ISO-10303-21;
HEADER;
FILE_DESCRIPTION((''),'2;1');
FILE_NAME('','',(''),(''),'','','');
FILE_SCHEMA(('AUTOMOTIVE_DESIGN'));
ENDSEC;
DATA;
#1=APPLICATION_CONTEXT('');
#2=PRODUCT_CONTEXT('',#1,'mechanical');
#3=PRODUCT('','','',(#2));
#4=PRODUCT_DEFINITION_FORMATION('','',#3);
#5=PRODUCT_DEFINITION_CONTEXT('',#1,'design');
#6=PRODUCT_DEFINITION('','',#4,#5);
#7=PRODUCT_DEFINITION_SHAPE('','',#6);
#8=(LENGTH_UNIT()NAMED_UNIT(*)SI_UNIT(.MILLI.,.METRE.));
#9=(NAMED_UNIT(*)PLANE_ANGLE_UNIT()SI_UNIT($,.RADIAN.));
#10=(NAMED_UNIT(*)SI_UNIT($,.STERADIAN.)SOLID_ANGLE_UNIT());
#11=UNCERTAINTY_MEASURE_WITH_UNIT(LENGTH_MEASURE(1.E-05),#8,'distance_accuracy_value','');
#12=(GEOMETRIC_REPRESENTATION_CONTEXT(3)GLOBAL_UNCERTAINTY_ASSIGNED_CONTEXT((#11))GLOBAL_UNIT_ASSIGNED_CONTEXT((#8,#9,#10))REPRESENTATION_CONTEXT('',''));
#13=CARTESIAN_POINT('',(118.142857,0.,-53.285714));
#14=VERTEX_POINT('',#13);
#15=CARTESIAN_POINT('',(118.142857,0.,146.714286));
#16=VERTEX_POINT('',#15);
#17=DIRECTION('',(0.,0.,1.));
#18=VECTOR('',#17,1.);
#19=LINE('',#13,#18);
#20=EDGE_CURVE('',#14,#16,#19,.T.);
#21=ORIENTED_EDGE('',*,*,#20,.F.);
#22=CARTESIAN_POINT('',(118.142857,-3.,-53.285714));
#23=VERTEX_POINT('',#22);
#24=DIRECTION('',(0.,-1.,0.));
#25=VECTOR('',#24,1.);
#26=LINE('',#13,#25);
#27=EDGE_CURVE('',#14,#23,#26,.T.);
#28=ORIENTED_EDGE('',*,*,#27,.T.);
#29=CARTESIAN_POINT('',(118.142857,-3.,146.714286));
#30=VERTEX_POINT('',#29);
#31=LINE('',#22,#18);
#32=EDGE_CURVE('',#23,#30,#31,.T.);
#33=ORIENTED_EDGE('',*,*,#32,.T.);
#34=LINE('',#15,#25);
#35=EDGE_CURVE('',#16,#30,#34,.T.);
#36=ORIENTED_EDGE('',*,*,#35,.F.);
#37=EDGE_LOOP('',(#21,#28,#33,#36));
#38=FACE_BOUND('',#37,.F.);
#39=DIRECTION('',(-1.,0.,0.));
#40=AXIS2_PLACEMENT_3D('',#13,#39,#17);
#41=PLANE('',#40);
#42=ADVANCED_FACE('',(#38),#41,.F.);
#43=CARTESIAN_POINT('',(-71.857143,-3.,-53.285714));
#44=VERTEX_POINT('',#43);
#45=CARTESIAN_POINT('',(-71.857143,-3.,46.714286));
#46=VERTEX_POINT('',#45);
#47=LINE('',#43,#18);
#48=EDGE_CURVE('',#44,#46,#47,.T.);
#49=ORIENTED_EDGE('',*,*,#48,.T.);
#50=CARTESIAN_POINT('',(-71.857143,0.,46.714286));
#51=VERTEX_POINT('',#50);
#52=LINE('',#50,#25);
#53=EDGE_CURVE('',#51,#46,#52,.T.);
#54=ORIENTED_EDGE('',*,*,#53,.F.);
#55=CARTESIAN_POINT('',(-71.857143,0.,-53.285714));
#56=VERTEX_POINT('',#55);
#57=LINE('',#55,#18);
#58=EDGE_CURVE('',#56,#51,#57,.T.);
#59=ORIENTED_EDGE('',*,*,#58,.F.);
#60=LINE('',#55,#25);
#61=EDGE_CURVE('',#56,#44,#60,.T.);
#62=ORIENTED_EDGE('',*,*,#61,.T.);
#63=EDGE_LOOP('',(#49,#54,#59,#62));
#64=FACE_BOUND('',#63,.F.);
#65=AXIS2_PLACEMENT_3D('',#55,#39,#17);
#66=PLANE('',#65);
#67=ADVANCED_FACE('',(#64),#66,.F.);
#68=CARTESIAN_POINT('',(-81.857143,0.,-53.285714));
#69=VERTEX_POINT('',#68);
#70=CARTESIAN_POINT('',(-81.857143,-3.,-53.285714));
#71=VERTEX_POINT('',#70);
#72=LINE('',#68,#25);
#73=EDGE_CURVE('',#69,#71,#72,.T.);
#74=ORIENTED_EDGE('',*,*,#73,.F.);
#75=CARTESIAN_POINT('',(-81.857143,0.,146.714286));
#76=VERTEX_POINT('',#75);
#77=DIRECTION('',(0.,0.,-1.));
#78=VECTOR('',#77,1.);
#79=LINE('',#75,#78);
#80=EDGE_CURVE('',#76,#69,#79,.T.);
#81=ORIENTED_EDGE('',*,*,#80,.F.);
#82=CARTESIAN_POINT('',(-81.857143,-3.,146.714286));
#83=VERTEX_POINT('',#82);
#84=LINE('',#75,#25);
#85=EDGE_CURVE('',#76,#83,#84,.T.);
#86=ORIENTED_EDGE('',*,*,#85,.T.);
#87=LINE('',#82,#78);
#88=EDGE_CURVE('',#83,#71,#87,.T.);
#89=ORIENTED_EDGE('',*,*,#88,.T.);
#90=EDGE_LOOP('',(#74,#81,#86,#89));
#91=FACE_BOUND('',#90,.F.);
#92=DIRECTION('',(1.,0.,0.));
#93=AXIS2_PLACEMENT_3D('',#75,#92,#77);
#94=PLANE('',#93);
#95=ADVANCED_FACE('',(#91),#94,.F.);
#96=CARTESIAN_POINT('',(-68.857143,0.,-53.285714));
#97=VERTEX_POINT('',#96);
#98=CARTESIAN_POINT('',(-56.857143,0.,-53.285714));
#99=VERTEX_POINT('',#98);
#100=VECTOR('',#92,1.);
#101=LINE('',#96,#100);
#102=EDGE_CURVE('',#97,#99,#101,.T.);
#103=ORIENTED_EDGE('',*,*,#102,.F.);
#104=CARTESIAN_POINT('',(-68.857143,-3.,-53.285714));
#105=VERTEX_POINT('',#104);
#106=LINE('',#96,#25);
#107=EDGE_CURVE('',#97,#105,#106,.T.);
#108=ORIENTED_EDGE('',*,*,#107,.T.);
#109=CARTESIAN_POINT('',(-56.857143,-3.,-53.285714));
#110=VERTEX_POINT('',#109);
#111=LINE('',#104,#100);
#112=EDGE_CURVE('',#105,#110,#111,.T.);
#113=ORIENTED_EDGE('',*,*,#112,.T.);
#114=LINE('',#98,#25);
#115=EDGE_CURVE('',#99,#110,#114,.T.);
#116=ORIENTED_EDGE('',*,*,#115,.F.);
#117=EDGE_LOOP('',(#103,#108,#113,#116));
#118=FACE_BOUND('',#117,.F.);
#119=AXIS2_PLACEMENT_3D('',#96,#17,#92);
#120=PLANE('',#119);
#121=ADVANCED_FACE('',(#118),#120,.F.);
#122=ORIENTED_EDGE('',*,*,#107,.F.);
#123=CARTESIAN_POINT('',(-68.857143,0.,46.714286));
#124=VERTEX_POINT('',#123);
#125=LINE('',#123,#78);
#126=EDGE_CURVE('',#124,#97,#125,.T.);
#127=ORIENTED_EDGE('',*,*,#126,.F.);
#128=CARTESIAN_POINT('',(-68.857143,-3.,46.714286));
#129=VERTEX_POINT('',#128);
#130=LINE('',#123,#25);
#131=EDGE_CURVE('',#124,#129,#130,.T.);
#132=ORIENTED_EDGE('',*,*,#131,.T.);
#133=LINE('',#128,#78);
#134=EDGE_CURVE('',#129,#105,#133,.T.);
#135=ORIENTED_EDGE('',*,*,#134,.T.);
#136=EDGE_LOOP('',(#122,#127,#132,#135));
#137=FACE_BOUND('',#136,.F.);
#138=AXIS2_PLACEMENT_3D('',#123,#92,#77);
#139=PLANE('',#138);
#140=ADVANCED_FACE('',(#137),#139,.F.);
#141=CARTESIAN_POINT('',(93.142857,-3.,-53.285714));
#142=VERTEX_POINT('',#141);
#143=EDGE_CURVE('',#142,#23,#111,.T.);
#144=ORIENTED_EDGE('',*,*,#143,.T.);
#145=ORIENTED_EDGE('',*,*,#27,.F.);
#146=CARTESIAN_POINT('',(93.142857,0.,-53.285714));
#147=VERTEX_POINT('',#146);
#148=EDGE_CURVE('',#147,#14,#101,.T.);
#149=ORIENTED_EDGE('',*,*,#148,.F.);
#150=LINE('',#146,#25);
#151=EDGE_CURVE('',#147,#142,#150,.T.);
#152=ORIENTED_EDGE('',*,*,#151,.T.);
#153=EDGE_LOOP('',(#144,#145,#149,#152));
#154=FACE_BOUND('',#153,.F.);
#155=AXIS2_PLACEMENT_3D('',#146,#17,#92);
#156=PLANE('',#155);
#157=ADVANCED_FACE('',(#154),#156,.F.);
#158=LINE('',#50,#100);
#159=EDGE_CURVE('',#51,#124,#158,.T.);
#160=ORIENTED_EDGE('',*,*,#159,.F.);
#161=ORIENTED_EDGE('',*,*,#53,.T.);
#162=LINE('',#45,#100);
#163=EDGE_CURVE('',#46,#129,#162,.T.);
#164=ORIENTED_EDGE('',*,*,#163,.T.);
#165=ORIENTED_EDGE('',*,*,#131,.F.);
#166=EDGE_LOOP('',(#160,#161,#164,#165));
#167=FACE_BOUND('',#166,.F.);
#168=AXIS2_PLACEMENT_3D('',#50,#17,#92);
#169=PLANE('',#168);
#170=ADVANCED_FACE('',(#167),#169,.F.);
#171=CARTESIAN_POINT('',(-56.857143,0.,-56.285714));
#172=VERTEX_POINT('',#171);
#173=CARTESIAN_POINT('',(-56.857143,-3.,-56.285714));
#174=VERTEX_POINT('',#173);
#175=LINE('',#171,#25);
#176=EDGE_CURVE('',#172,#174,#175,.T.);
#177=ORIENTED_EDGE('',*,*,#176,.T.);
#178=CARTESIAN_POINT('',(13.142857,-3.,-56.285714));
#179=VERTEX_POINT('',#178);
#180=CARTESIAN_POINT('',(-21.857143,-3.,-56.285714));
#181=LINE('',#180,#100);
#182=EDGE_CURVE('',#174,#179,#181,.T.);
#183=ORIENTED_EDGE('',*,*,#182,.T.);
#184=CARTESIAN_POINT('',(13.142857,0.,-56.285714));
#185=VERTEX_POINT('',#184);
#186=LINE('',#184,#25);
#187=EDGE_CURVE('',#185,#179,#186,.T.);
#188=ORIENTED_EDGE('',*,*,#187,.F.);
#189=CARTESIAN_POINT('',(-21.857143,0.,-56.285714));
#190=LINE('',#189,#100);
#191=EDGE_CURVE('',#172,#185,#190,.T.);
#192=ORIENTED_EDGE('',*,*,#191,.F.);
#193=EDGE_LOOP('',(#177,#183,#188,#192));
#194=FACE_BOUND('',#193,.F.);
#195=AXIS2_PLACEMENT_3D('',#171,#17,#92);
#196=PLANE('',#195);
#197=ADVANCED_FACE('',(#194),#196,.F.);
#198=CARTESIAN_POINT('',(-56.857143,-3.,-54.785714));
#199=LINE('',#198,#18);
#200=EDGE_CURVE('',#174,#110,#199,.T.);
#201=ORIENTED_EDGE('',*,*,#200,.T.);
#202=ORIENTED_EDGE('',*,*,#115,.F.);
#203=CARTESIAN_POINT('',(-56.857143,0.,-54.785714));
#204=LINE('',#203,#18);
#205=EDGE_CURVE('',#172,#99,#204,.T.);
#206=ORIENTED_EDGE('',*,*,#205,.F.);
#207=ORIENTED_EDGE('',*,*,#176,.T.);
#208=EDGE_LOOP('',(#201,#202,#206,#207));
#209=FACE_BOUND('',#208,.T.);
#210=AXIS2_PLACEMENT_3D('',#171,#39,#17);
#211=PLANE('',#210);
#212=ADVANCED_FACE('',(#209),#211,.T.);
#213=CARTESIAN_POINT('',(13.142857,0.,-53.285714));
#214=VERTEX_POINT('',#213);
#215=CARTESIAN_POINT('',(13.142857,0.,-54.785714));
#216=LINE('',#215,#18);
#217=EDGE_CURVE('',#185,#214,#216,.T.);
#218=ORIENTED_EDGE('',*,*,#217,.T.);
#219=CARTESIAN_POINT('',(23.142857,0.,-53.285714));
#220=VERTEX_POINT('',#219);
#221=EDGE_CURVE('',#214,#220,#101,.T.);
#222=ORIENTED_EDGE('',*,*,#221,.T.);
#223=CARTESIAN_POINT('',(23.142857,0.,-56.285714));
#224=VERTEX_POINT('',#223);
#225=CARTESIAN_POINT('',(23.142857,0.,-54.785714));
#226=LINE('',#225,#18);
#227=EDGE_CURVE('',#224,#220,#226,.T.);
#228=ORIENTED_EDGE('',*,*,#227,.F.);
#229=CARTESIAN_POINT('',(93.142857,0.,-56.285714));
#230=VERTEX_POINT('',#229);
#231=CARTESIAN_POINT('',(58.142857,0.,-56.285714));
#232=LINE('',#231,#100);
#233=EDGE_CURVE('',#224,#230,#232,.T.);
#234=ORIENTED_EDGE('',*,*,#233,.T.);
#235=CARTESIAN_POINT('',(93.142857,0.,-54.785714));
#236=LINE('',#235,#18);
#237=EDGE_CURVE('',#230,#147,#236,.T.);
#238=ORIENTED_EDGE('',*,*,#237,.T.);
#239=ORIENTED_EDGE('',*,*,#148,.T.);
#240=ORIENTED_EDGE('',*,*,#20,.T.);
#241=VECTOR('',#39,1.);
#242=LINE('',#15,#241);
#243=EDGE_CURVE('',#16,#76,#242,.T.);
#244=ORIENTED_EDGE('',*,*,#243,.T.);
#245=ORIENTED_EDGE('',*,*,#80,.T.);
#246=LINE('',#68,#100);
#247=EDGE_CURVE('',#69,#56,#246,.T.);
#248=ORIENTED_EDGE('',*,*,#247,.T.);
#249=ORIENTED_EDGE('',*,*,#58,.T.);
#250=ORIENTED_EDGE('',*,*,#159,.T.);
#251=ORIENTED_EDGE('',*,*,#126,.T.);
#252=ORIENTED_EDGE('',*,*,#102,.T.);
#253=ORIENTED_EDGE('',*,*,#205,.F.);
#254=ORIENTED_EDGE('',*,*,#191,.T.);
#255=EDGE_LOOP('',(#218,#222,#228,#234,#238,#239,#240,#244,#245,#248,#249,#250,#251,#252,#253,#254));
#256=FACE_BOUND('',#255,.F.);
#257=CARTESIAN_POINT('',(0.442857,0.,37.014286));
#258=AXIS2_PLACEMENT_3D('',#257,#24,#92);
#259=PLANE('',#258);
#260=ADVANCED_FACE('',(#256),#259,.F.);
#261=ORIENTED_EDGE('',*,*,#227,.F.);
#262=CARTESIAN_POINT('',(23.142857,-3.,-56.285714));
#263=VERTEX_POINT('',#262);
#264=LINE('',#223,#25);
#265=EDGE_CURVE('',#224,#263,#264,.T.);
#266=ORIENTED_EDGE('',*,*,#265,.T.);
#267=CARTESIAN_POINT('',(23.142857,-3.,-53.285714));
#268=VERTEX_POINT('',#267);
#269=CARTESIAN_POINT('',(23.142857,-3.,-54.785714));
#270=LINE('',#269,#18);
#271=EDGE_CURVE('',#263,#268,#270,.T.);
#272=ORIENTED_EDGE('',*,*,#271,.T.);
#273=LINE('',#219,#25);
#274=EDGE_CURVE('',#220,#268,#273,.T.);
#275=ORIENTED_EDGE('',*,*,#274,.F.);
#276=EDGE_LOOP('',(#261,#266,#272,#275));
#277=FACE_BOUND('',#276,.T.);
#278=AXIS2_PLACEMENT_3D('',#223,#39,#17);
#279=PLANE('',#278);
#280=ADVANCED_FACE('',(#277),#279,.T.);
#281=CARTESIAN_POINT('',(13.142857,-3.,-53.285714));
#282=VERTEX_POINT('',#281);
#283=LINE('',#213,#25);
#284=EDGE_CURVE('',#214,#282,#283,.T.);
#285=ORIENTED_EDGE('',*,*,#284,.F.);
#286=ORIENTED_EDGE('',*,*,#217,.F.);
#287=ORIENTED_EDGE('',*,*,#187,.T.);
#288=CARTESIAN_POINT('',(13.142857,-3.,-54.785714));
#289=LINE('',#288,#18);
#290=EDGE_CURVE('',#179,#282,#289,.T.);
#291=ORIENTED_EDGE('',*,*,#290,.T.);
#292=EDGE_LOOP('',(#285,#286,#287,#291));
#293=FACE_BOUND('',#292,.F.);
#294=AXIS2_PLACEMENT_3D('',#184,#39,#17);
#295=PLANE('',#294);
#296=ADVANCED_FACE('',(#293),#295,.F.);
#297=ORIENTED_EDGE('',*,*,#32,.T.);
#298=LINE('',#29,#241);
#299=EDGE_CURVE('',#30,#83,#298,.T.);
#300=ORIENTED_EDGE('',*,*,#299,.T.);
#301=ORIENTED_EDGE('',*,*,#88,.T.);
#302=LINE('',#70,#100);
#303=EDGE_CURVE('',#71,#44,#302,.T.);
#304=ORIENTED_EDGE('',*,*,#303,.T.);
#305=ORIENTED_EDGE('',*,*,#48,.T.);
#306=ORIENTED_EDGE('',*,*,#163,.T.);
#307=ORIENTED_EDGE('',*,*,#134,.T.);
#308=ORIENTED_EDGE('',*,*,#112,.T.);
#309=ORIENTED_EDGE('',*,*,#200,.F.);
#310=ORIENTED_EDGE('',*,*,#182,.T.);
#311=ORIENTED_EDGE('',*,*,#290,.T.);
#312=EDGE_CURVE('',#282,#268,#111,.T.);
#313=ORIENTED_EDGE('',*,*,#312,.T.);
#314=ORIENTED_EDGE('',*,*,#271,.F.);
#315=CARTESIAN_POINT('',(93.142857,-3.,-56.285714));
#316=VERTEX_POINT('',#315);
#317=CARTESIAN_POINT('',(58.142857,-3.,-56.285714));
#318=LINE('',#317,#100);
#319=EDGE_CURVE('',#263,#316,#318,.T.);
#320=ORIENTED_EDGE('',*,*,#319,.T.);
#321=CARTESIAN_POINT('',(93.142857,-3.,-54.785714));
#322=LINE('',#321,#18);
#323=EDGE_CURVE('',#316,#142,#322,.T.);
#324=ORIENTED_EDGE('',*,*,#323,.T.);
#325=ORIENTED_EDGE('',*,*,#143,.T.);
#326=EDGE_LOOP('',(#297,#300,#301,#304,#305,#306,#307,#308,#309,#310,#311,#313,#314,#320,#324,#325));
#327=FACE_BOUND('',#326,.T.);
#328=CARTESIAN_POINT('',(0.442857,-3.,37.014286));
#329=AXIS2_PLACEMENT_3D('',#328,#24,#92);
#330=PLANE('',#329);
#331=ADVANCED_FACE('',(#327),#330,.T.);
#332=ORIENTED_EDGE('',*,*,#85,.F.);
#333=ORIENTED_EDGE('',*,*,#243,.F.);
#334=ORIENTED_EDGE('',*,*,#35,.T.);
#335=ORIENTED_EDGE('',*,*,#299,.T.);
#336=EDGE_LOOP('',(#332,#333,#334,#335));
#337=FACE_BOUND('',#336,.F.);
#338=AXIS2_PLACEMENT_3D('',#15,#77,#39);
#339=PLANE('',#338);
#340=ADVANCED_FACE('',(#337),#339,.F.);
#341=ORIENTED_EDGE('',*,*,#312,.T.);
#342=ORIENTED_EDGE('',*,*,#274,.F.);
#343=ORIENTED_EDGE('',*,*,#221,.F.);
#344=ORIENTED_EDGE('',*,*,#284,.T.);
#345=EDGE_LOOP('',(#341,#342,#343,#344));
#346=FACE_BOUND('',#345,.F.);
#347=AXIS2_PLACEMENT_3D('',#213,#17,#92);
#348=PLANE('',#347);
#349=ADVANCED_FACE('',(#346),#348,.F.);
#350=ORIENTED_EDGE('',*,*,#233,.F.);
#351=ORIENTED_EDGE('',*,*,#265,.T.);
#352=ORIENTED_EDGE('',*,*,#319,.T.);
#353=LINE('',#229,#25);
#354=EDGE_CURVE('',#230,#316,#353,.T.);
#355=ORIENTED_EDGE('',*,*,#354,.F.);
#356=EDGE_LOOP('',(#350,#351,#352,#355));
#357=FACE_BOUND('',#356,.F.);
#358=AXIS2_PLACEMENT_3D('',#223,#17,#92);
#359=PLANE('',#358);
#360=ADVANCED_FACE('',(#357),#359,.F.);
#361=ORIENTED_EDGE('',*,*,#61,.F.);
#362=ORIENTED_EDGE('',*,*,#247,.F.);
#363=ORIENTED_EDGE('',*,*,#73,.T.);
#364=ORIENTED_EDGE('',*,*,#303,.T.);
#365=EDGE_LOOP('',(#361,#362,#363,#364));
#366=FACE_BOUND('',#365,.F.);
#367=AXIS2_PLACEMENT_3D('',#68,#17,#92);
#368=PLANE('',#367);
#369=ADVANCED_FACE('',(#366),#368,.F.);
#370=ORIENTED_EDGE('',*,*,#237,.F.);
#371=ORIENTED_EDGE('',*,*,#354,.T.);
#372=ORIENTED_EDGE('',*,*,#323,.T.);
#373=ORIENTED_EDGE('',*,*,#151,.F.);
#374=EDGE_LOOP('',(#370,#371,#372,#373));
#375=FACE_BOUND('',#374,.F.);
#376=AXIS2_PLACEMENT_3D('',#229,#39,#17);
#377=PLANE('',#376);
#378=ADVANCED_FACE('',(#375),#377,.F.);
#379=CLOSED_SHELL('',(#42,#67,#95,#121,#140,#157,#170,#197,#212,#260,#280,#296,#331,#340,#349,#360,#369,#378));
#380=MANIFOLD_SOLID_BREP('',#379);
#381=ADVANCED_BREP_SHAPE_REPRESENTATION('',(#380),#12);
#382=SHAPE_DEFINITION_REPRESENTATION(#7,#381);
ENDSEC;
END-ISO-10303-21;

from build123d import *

# Parameters (mm, degrees)
F0_W     = 70
F0_H     = 3
F1_DEPTH = 3


with BuildPart() as f1:
    # F0 (on Front) → F1 (new body)
    with BuildSketch(Plane.XZ):
        Polygon((118.142857, 146.714286), (-81.857143, 146.714286), (-81.857143, -53.285714), (-71.857143, -53.285714), (-71.857143, 46.714286), (-68.857143, 46.714286), (-68.857143, -53.285714), (-56.857143, -53.285714), (13.142857, -53.285714), (23.142857, -53.285714), (93.142857, -53.285714), (118.142857, -53.285714), align=None)
        with Locations((58.142857, -54.785714)):
            Rectangle(F0_W, F0_H)
        with Locations((-21.857143, -54.785714)):
            Rectangle(F0_W, F0_H)
    extrude(amount=F1_DEPTH)


solid = f1.part
